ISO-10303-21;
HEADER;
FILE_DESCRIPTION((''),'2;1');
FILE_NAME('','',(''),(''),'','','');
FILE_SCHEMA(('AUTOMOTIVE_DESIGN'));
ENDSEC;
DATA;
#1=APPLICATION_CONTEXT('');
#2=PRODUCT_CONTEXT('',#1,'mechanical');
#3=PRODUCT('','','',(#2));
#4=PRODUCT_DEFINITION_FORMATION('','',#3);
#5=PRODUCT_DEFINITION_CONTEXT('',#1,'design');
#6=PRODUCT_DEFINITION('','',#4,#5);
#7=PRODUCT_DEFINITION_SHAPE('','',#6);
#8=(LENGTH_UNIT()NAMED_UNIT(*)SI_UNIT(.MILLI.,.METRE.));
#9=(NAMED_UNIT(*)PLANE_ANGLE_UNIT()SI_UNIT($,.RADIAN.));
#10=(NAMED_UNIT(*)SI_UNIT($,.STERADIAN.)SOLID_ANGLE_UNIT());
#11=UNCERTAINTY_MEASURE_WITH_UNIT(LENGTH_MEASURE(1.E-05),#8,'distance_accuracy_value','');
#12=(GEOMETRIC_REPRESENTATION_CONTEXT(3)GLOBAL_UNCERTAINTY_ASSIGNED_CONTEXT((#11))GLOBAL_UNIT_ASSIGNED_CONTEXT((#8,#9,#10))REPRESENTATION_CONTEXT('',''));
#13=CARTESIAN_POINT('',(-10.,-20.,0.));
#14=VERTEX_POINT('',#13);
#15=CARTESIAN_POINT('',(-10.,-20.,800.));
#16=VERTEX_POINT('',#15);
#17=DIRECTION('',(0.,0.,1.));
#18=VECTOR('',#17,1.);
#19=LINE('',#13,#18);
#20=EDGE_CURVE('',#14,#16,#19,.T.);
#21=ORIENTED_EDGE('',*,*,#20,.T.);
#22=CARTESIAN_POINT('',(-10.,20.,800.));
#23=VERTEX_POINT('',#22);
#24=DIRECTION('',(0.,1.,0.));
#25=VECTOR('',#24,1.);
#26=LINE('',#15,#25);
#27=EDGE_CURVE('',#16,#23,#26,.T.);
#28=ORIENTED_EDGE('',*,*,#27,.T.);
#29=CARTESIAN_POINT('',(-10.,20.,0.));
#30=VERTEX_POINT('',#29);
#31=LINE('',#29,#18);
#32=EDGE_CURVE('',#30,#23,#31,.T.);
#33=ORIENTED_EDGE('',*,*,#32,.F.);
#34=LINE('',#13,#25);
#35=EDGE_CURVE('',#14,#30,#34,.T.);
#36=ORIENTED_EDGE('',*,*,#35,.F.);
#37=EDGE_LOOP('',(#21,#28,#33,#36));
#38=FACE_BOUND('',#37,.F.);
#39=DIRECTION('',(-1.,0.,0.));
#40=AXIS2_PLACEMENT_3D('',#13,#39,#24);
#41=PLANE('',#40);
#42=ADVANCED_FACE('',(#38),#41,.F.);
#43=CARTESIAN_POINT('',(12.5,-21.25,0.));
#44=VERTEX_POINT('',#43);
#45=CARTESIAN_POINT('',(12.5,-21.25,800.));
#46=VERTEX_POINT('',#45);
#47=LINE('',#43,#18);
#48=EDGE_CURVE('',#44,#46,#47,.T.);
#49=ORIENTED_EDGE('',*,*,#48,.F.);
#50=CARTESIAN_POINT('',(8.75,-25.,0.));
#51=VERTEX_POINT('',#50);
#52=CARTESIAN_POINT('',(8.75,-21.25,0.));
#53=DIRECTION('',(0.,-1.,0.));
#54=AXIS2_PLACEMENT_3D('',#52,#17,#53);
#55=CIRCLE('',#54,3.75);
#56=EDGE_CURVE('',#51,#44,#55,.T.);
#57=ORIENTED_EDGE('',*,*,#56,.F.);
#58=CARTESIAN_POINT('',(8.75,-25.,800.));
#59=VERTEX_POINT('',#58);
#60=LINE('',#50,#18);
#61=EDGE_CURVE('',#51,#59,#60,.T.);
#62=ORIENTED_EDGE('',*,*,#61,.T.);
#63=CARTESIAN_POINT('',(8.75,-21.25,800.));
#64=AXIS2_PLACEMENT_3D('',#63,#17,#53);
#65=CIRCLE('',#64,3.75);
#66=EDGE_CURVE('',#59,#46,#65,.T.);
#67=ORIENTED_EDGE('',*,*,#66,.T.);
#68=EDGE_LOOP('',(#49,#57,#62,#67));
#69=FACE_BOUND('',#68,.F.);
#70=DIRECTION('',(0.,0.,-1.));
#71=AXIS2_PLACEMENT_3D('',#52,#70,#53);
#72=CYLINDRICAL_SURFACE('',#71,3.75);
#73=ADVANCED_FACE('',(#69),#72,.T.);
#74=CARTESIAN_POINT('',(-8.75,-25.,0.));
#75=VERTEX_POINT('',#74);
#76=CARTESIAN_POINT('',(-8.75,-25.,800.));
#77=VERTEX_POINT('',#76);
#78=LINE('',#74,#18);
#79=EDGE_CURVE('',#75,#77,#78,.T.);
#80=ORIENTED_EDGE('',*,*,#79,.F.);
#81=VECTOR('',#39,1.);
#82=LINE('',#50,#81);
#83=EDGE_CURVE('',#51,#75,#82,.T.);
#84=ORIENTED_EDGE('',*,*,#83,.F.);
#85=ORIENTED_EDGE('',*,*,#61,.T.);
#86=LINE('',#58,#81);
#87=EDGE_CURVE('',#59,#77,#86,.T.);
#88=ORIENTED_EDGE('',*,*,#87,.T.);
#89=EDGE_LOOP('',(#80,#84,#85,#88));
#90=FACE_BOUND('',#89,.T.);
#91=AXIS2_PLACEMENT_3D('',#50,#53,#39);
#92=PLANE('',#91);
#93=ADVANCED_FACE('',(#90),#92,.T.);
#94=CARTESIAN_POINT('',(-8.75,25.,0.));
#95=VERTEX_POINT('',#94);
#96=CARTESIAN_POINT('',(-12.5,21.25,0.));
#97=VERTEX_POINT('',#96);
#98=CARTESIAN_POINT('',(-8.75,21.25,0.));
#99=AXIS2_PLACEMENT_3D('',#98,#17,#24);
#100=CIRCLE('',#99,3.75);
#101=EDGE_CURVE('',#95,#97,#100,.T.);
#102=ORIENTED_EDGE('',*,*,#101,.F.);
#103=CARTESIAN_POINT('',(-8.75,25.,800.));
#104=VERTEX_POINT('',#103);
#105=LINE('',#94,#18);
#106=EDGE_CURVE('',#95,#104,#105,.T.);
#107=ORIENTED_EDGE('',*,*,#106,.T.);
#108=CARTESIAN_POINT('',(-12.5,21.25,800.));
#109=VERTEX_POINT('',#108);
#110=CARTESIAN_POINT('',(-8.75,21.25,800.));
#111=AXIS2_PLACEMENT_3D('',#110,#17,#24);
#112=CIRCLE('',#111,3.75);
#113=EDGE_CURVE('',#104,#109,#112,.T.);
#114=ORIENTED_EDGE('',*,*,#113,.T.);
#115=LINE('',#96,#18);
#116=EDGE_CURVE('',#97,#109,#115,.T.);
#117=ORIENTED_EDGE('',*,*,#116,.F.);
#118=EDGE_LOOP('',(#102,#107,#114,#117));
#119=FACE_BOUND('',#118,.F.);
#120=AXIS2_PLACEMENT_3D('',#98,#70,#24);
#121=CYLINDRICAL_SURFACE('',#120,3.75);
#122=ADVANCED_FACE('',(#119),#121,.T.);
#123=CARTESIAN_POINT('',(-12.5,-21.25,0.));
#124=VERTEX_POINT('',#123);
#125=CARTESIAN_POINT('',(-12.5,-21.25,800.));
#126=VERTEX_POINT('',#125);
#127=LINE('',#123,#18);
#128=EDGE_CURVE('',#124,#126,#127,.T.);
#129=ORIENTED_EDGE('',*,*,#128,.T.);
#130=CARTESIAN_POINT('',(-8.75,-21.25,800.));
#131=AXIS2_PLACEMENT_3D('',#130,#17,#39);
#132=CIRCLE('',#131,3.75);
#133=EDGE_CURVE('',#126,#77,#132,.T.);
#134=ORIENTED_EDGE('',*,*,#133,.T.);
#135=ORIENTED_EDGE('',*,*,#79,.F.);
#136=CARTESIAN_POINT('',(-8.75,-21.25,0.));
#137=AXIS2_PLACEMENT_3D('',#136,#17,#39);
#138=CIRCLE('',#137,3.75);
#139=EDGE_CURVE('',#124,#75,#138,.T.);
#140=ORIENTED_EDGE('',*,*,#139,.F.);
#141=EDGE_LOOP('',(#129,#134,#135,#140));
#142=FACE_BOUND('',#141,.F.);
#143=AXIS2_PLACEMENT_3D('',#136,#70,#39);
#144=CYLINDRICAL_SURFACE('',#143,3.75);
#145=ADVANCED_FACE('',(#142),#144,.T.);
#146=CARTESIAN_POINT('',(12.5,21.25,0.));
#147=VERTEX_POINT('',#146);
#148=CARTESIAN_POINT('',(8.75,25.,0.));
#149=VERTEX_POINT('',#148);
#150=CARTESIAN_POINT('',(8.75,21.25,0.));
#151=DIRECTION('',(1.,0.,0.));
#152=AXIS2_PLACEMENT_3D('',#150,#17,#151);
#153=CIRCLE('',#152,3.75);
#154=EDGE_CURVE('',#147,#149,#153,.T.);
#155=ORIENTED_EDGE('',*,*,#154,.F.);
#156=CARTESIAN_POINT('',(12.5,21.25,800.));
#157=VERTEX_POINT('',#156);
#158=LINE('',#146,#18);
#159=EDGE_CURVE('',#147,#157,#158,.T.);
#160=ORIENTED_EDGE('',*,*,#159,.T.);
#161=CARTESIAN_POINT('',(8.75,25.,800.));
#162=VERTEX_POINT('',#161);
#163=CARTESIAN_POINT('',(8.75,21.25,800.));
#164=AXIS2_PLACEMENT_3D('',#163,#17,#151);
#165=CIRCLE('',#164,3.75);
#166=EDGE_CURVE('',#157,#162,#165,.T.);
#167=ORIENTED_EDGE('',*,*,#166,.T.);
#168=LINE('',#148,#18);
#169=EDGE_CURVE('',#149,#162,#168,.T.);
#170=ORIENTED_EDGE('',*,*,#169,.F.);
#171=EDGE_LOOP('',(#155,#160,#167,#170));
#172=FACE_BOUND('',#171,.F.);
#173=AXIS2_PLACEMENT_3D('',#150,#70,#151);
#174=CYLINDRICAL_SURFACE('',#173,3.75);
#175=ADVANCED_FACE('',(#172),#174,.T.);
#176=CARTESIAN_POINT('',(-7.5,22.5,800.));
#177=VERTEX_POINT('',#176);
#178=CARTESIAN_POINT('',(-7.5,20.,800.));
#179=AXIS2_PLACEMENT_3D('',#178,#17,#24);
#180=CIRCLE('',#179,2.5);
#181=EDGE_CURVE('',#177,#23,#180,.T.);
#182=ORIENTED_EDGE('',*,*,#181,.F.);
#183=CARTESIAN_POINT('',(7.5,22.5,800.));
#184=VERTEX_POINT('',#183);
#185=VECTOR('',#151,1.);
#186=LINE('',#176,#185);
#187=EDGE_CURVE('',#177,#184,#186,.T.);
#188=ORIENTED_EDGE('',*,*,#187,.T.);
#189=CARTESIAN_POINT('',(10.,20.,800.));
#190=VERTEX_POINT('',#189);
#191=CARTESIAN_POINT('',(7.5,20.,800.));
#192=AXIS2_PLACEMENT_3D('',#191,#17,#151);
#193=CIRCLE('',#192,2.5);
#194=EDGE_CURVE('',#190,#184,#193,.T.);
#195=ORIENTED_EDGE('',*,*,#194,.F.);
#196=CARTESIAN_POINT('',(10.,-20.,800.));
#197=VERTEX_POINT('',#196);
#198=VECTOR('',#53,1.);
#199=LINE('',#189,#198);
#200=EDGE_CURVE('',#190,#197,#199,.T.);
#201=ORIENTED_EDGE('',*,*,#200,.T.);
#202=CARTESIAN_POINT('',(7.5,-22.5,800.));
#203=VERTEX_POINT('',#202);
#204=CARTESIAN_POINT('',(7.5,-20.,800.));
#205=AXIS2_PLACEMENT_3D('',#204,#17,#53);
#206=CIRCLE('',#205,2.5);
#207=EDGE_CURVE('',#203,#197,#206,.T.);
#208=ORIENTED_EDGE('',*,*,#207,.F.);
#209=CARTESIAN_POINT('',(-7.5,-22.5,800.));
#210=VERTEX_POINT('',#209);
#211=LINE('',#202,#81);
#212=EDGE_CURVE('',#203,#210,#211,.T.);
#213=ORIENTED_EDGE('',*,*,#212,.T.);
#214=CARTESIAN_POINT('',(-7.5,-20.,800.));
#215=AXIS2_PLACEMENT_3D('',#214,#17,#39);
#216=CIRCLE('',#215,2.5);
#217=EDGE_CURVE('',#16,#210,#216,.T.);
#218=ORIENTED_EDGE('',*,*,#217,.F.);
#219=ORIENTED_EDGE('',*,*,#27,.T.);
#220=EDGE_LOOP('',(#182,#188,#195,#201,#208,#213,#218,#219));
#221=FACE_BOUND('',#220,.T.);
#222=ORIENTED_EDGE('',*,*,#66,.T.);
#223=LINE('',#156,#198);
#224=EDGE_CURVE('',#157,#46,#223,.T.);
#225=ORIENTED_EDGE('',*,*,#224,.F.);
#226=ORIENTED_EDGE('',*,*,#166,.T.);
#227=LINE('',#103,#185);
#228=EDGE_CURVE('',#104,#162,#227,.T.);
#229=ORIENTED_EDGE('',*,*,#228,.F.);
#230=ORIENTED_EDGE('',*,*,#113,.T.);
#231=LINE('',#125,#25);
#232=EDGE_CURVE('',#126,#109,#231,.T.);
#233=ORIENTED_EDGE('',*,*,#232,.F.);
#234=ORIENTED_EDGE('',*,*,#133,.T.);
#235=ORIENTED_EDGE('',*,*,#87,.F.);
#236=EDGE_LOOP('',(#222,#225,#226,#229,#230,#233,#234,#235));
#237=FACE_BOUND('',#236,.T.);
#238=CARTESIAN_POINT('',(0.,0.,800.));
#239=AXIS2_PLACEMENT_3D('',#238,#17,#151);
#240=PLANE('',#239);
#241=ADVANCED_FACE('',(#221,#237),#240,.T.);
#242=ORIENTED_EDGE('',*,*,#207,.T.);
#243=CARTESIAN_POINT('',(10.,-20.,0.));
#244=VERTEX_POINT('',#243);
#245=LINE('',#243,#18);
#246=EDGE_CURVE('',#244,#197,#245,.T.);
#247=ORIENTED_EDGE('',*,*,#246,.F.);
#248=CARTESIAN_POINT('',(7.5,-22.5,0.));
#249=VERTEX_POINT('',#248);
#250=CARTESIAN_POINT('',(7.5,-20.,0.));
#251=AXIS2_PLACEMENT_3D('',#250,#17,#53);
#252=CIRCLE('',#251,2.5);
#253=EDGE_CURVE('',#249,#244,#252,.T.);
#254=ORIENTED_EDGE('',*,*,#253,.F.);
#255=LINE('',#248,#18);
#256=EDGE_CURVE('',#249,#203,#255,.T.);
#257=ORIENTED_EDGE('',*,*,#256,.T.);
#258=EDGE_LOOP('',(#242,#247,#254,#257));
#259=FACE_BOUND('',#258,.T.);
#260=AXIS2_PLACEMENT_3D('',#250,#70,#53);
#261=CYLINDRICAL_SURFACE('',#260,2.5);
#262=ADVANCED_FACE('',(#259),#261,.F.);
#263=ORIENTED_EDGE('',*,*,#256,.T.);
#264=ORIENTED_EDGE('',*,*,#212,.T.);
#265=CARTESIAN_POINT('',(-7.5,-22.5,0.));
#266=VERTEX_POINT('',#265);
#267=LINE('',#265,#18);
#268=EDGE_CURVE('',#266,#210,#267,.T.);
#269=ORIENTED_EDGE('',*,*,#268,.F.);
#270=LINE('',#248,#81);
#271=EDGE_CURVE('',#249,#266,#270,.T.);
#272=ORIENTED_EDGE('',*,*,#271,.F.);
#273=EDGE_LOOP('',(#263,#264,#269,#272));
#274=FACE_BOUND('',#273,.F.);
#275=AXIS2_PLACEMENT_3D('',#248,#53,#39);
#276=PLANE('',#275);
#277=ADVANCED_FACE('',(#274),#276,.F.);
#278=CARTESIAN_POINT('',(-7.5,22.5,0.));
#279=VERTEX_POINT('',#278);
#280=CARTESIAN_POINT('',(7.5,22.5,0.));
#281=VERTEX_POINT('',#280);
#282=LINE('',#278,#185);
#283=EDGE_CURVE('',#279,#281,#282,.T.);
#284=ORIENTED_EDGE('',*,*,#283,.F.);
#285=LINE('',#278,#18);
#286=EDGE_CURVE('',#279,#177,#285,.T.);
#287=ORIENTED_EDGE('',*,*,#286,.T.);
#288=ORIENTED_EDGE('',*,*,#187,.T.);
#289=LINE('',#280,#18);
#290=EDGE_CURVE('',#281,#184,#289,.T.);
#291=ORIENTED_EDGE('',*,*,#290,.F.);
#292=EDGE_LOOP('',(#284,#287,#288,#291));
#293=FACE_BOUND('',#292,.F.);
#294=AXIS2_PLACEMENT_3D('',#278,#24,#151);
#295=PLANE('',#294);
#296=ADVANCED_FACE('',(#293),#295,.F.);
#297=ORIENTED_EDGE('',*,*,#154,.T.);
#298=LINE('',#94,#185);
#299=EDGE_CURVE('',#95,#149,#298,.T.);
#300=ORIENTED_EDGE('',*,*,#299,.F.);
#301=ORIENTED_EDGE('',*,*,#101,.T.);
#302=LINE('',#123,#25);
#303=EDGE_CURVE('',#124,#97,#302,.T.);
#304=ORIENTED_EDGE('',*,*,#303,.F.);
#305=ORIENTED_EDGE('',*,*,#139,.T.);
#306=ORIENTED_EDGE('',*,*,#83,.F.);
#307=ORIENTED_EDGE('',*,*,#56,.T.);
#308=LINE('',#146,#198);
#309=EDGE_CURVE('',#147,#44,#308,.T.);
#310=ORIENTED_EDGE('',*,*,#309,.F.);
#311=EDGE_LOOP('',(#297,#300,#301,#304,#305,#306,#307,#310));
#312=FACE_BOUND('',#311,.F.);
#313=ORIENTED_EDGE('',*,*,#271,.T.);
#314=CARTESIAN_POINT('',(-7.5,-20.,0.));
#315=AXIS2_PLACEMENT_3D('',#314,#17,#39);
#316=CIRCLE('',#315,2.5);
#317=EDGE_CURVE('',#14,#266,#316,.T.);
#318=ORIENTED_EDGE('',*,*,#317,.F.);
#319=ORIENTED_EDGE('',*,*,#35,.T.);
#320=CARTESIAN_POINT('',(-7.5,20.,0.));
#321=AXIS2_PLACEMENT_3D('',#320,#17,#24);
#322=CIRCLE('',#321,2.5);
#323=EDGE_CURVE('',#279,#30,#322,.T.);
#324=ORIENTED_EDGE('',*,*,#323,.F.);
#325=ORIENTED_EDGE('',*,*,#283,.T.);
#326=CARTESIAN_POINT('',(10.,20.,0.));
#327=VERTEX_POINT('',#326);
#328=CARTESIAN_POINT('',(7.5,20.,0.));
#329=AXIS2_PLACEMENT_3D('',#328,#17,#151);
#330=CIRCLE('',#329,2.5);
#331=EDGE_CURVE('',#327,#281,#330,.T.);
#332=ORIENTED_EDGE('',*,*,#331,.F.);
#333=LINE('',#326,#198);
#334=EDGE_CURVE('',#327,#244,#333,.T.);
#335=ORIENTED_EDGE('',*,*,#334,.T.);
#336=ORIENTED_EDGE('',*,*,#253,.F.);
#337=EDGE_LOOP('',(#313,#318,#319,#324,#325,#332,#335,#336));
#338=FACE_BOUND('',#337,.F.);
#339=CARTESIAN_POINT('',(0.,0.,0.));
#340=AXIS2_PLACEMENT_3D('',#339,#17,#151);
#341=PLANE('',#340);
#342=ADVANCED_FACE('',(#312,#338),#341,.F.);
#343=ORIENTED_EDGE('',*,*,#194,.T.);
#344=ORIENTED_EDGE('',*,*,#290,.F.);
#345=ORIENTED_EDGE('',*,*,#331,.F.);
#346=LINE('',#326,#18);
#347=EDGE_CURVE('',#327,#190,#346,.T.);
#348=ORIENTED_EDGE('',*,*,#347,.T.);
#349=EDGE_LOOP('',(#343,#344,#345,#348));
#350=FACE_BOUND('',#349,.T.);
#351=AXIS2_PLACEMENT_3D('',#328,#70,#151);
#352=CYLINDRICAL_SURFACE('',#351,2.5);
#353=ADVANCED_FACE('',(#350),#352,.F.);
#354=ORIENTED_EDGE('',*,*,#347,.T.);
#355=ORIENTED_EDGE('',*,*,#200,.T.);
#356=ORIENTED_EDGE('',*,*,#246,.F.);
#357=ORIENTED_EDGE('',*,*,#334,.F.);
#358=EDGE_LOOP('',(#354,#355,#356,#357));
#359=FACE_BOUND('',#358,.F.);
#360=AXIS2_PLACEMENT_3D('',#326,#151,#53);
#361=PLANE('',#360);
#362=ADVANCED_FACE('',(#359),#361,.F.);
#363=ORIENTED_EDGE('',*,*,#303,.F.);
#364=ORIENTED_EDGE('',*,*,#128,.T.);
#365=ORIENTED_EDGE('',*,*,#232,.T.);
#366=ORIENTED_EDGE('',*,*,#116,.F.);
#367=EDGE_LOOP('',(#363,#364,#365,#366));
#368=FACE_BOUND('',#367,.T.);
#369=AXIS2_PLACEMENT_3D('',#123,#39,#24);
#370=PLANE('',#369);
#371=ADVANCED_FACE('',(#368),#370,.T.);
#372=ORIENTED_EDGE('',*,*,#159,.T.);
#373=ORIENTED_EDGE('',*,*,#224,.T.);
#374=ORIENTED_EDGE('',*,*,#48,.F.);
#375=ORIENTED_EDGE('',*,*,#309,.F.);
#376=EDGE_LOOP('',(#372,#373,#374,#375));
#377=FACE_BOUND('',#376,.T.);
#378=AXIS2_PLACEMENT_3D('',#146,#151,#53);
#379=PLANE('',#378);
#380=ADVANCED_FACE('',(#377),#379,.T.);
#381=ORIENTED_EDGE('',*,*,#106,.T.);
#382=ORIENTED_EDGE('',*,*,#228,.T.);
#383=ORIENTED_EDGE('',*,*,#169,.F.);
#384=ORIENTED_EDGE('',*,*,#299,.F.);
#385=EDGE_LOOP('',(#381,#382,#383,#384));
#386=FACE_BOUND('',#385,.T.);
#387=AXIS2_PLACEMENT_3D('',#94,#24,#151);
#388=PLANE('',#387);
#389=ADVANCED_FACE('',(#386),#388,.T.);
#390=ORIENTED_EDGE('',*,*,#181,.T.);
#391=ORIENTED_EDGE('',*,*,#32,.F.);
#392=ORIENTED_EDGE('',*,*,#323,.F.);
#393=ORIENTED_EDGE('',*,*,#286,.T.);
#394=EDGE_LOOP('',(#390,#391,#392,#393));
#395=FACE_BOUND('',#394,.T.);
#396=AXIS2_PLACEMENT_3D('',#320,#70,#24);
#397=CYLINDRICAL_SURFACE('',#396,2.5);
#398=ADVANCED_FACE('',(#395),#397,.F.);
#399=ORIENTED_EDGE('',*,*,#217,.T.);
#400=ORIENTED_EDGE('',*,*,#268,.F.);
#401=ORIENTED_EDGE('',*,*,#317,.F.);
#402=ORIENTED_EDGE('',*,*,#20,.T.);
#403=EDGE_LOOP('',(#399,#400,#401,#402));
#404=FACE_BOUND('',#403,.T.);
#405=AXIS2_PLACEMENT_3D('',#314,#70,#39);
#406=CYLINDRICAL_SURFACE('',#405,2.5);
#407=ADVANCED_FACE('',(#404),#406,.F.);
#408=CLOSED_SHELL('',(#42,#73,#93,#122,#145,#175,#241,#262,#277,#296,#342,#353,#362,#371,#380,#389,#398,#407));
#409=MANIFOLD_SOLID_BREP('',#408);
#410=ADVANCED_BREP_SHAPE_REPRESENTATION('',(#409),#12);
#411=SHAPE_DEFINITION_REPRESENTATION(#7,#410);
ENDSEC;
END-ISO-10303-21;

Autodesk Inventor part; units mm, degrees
ref_plane "YZ Plane" through (0, 0, 0) normal (1, 0, 0) x (0, 1, 0)
ref_plane "Plano inicial" through (0, 0, 0) normal (0, 0, 1) x (1, 0, 0)
ref_plane "Plano final" through (0, 0, 800) normal (0, 0, 1) x (1, 0, 0)
sketch "Esboço" plane through (0, 0, 0) normal (0, 0, 1) x (1, 0, 0)
  line L0 (-12.5, -21.25) -> (-12.5, 21.25)
  line L1 (-8.75, 25) -> (8.75, 25)
  line L2 (12.5, 21.25) -> (12.5, -21.25)
  line L3 (8.75, -25) -> (-8.75, -25)
  arc A0 (-12.5, -21.25) -> (-8.75, -25) centre (-8.75, -21.25) ccw
  arc A1 (-8.75, 25) -> (-12.5, 21.25) centre (-8.75, 21.25) ccw
  arc A2 (12.5, 21.25) -> (8.75, 25) centre (8.75, 21.25) ccw
  arc A3 (8.75, -25) -> (12.5, -21.25) centre (8.75, -21.25) ccw
  line L4 (-7.5, 22.5) -> (7.5, 22.5)
  line L5 (10, 20) -> (10, -20)
  line L6 (7.5, -22.5) -> (-7.5, -22.5)
  line L7 (-10, -20) -> (-10, 20)
  line L8 (0, 36.0873) -> (0, -36.0873) construction
  line L9 (-18.5873, 0) -> (18.5873, 0) construction
  arc A4 (-10, -20) -> (-7.5, -22.5) centre (-7.5, -20) ccw
  arc A5 (-7.5, 22.5) -> (-10, 20) centre (-7.5, 20) ccw
  arc A6 (10, 20) -> (7.5, 22.5) centre (7.5, 20) ccw
  arc A7 (7.5, -22.5) -> (10, -20) centre (7.5, -20) ccw
  dimension "d7" = 3.75
  dimension "d10" = 50
  dimension "d11" = 25
  dimension "d12" = 2.5
  dimension "d15" = 25
  dimension "d16" = 12.5
  dimension "d19" = 2.5
  dimension "d20" = 2.5
extrude "Corpo" add sketch "Esboço" along normal up to surface (800 mm away) from surface at 0
sketch "Sketch3" plane through (0, 0, 0) normal (0, 0, 1) x (1, 0, 0)
  line L0 (0, 0) -> (10, 0)
ref_plane "Work Plane3" through (0, 0, 0) normal (0, -1, 0) x (1, 0, 0)
sketch "Sketch4" plane through (0, 0, 0) normal (0, -1, 0) x (1, 0, 0)
  line L0 (-2, 0) -> (12, 0)
  line L1 (-2, 800) -> (12, 800)
  dimension "d18" = 800
equation "\"d7\" = G_IR"
equation "\"d10\" = G_H"
equation "\"d11\" = G_W"
equation "\"d12\" = G_T"
equation "\"d15\" = 0.5 * d10"
equation "\"d16\" = 0.5 * d11"
equation "\"d19\" = G_T"
equation "\"d20\" = G_T"
equation "\"d3\" = G_L"
equation "\"G_W\" = 25"
equation "\"G_H\" = 50"
equation "\"G_T\" = 2.5"
equation "\"G_IR\" = 3.75"
equation "\"G_L\" = d18"
equation "\"G_OFFSET_START\" = 0"
equation "\"G_OFFSET_END\" = 0"
properties part number "EN 10210-2 - 50 x 25 x 2,5 - 800" material "Aço, suave"
